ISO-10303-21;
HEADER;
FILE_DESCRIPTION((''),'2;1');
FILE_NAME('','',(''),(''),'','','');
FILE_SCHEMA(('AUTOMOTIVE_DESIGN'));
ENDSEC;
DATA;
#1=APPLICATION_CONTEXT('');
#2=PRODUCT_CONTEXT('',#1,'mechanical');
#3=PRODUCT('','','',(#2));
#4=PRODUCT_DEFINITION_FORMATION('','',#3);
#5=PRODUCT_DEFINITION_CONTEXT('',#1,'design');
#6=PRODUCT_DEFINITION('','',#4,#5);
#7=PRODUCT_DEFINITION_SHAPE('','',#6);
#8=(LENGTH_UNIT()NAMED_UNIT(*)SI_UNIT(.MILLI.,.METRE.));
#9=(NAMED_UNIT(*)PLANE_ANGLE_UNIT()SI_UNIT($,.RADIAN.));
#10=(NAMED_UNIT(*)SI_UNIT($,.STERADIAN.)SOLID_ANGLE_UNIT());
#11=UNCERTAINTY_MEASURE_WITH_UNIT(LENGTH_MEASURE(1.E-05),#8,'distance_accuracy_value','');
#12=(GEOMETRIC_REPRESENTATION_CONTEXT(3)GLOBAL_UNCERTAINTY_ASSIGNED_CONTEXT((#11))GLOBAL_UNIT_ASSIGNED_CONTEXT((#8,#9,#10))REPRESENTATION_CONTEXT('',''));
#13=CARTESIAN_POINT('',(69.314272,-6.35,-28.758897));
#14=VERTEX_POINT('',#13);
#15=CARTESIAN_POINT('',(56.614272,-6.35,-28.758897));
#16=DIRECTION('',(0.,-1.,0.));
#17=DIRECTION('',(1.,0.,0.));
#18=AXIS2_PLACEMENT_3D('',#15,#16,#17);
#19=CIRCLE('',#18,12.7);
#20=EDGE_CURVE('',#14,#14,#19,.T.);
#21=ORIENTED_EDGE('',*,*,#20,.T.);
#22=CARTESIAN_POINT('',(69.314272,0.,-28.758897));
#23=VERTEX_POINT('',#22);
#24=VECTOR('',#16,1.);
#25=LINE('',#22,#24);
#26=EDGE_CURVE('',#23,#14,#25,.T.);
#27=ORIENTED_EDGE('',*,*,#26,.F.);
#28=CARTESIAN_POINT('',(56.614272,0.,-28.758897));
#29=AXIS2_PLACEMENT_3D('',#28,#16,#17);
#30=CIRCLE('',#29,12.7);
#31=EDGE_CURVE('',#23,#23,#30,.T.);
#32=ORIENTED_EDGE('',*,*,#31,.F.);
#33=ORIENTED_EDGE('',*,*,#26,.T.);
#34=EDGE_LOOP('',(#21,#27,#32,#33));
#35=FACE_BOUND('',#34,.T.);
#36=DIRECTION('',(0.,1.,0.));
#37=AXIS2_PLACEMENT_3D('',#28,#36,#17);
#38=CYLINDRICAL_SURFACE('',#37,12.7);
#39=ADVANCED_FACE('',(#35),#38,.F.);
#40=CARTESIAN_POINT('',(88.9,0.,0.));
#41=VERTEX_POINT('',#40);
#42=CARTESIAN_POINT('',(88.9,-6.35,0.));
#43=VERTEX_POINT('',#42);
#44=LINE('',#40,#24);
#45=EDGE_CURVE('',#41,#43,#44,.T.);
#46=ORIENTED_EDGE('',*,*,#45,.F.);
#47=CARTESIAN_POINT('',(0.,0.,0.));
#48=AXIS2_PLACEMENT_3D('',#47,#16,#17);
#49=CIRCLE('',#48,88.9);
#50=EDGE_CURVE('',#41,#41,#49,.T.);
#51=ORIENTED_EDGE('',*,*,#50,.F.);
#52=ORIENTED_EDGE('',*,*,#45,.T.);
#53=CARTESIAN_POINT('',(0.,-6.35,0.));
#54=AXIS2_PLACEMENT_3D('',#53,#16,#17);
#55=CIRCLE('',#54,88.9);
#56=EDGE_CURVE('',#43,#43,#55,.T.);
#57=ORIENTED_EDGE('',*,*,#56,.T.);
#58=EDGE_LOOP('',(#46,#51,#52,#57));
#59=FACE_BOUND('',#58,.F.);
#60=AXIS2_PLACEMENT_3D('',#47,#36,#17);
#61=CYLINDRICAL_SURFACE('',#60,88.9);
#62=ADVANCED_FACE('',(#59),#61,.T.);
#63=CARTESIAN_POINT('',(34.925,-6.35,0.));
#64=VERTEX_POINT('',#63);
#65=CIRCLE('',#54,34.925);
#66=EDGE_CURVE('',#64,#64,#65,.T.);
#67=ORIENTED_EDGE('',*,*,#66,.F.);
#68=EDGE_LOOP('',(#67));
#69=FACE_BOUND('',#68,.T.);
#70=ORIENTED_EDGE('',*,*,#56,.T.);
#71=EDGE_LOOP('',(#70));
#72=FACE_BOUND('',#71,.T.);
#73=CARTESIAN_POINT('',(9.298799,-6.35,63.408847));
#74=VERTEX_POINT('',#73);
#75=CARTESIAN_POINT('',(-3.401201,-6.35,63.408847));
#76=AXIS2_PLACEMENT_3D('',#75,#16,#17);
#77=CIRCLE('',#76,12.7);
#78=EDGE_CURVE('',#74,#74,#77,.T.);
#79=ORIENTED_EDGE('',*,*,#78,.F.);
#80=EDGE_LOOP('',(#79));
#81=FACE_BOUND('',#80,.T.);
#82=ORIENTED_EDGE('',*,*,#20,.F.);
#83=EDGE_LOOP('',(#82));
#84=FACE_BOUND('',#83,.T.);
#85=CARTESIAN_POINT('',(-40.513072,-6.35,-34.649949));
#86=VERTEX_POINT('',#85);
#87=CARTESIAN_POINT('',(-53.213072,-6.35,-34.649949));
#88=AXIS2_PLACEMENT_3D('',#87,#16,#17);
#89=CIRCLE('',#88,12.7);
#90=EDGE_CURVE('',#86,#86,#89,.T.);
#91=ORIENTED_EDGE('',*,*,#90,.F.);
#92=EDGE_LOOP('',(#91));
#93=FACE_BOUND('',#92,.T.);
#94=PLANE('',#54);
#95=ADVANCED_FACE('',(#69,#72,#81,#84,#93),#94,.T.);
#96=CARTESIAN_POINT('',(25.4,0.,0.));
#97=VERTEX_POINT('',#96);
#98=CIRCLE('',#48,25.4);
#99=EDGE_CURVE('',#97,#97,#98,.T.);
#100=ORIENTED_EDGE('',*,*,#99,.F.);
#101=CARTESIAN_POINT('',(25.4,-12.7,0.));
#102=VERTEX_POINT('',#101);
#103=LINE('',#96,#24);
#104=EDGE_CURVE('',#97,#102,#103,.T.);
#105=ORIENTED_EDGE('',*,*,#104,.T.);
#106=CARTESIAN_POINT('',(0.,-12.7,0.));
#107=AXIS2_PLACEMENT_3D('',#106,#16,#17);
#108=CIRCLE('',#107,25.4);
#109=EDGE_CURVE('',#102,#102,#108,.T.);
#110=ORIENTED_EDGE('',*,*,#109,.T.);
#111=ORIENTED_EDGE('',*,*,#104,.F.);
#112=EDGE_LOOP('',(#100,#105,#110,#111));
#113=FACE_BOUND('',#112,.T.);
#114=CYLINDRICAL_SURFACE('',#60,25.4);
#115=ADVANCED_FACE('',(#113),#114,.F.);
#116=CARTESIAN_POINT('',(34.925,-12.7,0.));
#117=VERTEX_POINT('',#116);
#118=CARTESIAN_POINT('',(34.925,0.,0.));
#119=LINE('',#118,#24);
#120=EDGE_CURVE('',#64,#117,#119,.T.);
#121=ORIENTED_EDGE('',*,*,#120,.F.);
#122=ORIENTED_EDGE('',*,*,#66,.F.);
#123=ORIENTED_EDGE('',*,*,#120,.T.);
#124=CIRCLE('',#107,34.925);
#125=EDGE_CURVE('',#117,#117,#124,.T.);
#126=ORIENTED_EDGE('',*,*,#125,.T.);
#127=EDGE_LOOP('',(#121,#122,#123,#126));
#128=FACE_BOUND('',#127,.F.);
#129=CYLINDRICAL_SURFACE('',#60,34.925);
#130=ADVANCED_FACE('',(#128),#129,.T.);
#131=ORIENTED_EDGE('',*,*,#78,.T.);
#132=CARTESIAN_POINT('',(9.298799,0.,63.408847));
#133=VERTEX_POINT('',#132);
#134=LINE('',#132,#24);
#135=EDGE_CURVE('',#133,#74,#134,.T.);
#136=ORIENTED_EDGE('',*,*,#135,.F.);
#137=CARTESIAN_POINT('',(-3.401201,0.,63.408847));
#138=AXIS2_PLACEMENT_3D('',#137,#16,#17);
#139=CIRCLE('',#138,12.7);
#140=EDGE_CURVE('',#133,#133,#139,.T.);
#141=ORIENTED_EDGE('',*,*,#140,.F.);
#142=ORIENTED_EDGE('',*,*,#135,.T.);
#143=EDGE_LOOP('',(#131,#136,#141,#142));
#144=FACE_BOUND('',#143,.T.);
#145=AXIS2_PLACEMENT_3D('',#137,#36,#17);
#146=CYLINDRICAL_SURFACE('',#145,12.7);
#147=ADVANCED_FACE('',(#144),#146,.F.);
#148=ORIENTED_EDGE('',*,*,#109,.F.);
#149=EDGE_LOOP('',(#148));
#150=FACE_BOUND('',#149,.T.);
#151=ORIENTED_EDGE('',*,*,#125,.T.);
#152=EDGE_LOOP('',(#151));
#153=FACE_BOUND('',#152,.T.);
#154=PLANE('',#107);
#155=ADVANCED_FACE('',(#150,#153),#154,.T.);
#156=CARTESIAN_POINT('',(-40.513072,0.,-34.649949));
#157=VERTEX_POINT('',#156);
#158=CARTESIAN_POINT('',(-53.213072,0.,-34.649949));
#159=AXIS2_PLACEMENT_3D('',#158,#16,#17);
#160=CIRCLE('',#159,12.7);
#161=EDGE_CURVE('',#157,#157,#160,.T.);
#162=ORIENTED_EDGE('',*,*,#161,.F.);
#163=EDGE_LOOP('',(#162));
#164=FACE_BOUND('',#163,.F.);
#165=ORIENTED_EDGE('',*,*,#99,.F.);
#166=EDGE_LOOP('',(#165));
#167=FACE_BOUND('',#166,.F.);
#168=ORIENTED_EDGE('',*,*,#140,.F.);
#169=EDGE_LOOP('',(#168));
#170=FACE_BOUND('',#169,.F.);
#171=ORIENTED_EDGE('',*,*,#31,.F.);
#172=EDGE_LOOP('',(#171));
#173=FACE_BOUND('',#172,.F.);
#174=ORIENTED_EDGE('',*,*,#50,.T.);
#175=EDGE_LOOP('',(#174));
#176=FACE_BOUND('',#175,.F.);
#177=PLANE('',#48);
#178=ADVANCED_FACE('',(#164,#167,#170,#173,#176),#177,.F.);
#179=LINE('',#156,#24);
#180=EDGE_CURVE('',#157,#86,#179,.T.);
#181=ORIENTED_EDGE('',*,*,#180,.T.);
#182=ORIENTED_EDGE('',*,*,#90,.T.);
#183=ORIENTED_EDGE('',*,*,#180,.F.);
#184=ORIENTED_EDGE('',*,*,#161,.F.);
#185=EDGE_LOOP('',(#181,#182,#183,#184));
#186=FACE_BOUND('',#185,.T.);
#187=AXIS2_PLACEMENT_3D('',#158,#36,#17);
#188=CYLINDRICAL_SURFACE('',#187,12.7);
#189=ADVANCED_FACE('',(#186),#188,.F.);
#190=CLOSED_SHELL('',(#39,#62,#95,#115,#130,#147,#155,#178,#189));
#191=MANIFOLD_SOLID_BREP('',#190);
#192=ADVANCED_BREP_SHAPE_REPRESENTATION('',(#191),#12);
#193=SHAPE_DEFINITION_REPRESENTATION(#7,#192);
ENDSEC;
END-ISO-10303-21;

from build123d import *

# Parameters (mm, degrees)
F0_R     = 88.9
F0_R_2   = 12.7
F0_R_3   = 34.925
F1_DEPTH = 6.35
F0_R_4   = 25.4
F2_DEPTH = 12.7


with BuildPart() as f1:
    # F0 (on Front) → F1 (new body)
    with BuildSketch(Plane.XZ):
        Circle(F0_R)
        with Locations((-53.213072, -34.649949)):
            Circle(F0_R_2, mode=Mode.SUBTRACT)
        with Locations((56.614272, -28.758897)):
            Circle(F0_R_2, mode=Mode.SUBTRACT)
        with Locations((-3.401201, 63.408847)):
            Circle(F0_R_2, mode=Mode.SUBTRACT)
        Circle(F0_R_3, mode=Mode.SUBTRACT)
    extrude(amount=F1_DEPTH)

    # F0 (on Front) → F2 (join)
    with BuildSketch(Plane.XZ):
        Circle(F0_R_3)
        Circle(F0_R_4, mode=Mode.SUBTRACT)
    extrude(amount=F2_DEPTH)


solid = f1.part
